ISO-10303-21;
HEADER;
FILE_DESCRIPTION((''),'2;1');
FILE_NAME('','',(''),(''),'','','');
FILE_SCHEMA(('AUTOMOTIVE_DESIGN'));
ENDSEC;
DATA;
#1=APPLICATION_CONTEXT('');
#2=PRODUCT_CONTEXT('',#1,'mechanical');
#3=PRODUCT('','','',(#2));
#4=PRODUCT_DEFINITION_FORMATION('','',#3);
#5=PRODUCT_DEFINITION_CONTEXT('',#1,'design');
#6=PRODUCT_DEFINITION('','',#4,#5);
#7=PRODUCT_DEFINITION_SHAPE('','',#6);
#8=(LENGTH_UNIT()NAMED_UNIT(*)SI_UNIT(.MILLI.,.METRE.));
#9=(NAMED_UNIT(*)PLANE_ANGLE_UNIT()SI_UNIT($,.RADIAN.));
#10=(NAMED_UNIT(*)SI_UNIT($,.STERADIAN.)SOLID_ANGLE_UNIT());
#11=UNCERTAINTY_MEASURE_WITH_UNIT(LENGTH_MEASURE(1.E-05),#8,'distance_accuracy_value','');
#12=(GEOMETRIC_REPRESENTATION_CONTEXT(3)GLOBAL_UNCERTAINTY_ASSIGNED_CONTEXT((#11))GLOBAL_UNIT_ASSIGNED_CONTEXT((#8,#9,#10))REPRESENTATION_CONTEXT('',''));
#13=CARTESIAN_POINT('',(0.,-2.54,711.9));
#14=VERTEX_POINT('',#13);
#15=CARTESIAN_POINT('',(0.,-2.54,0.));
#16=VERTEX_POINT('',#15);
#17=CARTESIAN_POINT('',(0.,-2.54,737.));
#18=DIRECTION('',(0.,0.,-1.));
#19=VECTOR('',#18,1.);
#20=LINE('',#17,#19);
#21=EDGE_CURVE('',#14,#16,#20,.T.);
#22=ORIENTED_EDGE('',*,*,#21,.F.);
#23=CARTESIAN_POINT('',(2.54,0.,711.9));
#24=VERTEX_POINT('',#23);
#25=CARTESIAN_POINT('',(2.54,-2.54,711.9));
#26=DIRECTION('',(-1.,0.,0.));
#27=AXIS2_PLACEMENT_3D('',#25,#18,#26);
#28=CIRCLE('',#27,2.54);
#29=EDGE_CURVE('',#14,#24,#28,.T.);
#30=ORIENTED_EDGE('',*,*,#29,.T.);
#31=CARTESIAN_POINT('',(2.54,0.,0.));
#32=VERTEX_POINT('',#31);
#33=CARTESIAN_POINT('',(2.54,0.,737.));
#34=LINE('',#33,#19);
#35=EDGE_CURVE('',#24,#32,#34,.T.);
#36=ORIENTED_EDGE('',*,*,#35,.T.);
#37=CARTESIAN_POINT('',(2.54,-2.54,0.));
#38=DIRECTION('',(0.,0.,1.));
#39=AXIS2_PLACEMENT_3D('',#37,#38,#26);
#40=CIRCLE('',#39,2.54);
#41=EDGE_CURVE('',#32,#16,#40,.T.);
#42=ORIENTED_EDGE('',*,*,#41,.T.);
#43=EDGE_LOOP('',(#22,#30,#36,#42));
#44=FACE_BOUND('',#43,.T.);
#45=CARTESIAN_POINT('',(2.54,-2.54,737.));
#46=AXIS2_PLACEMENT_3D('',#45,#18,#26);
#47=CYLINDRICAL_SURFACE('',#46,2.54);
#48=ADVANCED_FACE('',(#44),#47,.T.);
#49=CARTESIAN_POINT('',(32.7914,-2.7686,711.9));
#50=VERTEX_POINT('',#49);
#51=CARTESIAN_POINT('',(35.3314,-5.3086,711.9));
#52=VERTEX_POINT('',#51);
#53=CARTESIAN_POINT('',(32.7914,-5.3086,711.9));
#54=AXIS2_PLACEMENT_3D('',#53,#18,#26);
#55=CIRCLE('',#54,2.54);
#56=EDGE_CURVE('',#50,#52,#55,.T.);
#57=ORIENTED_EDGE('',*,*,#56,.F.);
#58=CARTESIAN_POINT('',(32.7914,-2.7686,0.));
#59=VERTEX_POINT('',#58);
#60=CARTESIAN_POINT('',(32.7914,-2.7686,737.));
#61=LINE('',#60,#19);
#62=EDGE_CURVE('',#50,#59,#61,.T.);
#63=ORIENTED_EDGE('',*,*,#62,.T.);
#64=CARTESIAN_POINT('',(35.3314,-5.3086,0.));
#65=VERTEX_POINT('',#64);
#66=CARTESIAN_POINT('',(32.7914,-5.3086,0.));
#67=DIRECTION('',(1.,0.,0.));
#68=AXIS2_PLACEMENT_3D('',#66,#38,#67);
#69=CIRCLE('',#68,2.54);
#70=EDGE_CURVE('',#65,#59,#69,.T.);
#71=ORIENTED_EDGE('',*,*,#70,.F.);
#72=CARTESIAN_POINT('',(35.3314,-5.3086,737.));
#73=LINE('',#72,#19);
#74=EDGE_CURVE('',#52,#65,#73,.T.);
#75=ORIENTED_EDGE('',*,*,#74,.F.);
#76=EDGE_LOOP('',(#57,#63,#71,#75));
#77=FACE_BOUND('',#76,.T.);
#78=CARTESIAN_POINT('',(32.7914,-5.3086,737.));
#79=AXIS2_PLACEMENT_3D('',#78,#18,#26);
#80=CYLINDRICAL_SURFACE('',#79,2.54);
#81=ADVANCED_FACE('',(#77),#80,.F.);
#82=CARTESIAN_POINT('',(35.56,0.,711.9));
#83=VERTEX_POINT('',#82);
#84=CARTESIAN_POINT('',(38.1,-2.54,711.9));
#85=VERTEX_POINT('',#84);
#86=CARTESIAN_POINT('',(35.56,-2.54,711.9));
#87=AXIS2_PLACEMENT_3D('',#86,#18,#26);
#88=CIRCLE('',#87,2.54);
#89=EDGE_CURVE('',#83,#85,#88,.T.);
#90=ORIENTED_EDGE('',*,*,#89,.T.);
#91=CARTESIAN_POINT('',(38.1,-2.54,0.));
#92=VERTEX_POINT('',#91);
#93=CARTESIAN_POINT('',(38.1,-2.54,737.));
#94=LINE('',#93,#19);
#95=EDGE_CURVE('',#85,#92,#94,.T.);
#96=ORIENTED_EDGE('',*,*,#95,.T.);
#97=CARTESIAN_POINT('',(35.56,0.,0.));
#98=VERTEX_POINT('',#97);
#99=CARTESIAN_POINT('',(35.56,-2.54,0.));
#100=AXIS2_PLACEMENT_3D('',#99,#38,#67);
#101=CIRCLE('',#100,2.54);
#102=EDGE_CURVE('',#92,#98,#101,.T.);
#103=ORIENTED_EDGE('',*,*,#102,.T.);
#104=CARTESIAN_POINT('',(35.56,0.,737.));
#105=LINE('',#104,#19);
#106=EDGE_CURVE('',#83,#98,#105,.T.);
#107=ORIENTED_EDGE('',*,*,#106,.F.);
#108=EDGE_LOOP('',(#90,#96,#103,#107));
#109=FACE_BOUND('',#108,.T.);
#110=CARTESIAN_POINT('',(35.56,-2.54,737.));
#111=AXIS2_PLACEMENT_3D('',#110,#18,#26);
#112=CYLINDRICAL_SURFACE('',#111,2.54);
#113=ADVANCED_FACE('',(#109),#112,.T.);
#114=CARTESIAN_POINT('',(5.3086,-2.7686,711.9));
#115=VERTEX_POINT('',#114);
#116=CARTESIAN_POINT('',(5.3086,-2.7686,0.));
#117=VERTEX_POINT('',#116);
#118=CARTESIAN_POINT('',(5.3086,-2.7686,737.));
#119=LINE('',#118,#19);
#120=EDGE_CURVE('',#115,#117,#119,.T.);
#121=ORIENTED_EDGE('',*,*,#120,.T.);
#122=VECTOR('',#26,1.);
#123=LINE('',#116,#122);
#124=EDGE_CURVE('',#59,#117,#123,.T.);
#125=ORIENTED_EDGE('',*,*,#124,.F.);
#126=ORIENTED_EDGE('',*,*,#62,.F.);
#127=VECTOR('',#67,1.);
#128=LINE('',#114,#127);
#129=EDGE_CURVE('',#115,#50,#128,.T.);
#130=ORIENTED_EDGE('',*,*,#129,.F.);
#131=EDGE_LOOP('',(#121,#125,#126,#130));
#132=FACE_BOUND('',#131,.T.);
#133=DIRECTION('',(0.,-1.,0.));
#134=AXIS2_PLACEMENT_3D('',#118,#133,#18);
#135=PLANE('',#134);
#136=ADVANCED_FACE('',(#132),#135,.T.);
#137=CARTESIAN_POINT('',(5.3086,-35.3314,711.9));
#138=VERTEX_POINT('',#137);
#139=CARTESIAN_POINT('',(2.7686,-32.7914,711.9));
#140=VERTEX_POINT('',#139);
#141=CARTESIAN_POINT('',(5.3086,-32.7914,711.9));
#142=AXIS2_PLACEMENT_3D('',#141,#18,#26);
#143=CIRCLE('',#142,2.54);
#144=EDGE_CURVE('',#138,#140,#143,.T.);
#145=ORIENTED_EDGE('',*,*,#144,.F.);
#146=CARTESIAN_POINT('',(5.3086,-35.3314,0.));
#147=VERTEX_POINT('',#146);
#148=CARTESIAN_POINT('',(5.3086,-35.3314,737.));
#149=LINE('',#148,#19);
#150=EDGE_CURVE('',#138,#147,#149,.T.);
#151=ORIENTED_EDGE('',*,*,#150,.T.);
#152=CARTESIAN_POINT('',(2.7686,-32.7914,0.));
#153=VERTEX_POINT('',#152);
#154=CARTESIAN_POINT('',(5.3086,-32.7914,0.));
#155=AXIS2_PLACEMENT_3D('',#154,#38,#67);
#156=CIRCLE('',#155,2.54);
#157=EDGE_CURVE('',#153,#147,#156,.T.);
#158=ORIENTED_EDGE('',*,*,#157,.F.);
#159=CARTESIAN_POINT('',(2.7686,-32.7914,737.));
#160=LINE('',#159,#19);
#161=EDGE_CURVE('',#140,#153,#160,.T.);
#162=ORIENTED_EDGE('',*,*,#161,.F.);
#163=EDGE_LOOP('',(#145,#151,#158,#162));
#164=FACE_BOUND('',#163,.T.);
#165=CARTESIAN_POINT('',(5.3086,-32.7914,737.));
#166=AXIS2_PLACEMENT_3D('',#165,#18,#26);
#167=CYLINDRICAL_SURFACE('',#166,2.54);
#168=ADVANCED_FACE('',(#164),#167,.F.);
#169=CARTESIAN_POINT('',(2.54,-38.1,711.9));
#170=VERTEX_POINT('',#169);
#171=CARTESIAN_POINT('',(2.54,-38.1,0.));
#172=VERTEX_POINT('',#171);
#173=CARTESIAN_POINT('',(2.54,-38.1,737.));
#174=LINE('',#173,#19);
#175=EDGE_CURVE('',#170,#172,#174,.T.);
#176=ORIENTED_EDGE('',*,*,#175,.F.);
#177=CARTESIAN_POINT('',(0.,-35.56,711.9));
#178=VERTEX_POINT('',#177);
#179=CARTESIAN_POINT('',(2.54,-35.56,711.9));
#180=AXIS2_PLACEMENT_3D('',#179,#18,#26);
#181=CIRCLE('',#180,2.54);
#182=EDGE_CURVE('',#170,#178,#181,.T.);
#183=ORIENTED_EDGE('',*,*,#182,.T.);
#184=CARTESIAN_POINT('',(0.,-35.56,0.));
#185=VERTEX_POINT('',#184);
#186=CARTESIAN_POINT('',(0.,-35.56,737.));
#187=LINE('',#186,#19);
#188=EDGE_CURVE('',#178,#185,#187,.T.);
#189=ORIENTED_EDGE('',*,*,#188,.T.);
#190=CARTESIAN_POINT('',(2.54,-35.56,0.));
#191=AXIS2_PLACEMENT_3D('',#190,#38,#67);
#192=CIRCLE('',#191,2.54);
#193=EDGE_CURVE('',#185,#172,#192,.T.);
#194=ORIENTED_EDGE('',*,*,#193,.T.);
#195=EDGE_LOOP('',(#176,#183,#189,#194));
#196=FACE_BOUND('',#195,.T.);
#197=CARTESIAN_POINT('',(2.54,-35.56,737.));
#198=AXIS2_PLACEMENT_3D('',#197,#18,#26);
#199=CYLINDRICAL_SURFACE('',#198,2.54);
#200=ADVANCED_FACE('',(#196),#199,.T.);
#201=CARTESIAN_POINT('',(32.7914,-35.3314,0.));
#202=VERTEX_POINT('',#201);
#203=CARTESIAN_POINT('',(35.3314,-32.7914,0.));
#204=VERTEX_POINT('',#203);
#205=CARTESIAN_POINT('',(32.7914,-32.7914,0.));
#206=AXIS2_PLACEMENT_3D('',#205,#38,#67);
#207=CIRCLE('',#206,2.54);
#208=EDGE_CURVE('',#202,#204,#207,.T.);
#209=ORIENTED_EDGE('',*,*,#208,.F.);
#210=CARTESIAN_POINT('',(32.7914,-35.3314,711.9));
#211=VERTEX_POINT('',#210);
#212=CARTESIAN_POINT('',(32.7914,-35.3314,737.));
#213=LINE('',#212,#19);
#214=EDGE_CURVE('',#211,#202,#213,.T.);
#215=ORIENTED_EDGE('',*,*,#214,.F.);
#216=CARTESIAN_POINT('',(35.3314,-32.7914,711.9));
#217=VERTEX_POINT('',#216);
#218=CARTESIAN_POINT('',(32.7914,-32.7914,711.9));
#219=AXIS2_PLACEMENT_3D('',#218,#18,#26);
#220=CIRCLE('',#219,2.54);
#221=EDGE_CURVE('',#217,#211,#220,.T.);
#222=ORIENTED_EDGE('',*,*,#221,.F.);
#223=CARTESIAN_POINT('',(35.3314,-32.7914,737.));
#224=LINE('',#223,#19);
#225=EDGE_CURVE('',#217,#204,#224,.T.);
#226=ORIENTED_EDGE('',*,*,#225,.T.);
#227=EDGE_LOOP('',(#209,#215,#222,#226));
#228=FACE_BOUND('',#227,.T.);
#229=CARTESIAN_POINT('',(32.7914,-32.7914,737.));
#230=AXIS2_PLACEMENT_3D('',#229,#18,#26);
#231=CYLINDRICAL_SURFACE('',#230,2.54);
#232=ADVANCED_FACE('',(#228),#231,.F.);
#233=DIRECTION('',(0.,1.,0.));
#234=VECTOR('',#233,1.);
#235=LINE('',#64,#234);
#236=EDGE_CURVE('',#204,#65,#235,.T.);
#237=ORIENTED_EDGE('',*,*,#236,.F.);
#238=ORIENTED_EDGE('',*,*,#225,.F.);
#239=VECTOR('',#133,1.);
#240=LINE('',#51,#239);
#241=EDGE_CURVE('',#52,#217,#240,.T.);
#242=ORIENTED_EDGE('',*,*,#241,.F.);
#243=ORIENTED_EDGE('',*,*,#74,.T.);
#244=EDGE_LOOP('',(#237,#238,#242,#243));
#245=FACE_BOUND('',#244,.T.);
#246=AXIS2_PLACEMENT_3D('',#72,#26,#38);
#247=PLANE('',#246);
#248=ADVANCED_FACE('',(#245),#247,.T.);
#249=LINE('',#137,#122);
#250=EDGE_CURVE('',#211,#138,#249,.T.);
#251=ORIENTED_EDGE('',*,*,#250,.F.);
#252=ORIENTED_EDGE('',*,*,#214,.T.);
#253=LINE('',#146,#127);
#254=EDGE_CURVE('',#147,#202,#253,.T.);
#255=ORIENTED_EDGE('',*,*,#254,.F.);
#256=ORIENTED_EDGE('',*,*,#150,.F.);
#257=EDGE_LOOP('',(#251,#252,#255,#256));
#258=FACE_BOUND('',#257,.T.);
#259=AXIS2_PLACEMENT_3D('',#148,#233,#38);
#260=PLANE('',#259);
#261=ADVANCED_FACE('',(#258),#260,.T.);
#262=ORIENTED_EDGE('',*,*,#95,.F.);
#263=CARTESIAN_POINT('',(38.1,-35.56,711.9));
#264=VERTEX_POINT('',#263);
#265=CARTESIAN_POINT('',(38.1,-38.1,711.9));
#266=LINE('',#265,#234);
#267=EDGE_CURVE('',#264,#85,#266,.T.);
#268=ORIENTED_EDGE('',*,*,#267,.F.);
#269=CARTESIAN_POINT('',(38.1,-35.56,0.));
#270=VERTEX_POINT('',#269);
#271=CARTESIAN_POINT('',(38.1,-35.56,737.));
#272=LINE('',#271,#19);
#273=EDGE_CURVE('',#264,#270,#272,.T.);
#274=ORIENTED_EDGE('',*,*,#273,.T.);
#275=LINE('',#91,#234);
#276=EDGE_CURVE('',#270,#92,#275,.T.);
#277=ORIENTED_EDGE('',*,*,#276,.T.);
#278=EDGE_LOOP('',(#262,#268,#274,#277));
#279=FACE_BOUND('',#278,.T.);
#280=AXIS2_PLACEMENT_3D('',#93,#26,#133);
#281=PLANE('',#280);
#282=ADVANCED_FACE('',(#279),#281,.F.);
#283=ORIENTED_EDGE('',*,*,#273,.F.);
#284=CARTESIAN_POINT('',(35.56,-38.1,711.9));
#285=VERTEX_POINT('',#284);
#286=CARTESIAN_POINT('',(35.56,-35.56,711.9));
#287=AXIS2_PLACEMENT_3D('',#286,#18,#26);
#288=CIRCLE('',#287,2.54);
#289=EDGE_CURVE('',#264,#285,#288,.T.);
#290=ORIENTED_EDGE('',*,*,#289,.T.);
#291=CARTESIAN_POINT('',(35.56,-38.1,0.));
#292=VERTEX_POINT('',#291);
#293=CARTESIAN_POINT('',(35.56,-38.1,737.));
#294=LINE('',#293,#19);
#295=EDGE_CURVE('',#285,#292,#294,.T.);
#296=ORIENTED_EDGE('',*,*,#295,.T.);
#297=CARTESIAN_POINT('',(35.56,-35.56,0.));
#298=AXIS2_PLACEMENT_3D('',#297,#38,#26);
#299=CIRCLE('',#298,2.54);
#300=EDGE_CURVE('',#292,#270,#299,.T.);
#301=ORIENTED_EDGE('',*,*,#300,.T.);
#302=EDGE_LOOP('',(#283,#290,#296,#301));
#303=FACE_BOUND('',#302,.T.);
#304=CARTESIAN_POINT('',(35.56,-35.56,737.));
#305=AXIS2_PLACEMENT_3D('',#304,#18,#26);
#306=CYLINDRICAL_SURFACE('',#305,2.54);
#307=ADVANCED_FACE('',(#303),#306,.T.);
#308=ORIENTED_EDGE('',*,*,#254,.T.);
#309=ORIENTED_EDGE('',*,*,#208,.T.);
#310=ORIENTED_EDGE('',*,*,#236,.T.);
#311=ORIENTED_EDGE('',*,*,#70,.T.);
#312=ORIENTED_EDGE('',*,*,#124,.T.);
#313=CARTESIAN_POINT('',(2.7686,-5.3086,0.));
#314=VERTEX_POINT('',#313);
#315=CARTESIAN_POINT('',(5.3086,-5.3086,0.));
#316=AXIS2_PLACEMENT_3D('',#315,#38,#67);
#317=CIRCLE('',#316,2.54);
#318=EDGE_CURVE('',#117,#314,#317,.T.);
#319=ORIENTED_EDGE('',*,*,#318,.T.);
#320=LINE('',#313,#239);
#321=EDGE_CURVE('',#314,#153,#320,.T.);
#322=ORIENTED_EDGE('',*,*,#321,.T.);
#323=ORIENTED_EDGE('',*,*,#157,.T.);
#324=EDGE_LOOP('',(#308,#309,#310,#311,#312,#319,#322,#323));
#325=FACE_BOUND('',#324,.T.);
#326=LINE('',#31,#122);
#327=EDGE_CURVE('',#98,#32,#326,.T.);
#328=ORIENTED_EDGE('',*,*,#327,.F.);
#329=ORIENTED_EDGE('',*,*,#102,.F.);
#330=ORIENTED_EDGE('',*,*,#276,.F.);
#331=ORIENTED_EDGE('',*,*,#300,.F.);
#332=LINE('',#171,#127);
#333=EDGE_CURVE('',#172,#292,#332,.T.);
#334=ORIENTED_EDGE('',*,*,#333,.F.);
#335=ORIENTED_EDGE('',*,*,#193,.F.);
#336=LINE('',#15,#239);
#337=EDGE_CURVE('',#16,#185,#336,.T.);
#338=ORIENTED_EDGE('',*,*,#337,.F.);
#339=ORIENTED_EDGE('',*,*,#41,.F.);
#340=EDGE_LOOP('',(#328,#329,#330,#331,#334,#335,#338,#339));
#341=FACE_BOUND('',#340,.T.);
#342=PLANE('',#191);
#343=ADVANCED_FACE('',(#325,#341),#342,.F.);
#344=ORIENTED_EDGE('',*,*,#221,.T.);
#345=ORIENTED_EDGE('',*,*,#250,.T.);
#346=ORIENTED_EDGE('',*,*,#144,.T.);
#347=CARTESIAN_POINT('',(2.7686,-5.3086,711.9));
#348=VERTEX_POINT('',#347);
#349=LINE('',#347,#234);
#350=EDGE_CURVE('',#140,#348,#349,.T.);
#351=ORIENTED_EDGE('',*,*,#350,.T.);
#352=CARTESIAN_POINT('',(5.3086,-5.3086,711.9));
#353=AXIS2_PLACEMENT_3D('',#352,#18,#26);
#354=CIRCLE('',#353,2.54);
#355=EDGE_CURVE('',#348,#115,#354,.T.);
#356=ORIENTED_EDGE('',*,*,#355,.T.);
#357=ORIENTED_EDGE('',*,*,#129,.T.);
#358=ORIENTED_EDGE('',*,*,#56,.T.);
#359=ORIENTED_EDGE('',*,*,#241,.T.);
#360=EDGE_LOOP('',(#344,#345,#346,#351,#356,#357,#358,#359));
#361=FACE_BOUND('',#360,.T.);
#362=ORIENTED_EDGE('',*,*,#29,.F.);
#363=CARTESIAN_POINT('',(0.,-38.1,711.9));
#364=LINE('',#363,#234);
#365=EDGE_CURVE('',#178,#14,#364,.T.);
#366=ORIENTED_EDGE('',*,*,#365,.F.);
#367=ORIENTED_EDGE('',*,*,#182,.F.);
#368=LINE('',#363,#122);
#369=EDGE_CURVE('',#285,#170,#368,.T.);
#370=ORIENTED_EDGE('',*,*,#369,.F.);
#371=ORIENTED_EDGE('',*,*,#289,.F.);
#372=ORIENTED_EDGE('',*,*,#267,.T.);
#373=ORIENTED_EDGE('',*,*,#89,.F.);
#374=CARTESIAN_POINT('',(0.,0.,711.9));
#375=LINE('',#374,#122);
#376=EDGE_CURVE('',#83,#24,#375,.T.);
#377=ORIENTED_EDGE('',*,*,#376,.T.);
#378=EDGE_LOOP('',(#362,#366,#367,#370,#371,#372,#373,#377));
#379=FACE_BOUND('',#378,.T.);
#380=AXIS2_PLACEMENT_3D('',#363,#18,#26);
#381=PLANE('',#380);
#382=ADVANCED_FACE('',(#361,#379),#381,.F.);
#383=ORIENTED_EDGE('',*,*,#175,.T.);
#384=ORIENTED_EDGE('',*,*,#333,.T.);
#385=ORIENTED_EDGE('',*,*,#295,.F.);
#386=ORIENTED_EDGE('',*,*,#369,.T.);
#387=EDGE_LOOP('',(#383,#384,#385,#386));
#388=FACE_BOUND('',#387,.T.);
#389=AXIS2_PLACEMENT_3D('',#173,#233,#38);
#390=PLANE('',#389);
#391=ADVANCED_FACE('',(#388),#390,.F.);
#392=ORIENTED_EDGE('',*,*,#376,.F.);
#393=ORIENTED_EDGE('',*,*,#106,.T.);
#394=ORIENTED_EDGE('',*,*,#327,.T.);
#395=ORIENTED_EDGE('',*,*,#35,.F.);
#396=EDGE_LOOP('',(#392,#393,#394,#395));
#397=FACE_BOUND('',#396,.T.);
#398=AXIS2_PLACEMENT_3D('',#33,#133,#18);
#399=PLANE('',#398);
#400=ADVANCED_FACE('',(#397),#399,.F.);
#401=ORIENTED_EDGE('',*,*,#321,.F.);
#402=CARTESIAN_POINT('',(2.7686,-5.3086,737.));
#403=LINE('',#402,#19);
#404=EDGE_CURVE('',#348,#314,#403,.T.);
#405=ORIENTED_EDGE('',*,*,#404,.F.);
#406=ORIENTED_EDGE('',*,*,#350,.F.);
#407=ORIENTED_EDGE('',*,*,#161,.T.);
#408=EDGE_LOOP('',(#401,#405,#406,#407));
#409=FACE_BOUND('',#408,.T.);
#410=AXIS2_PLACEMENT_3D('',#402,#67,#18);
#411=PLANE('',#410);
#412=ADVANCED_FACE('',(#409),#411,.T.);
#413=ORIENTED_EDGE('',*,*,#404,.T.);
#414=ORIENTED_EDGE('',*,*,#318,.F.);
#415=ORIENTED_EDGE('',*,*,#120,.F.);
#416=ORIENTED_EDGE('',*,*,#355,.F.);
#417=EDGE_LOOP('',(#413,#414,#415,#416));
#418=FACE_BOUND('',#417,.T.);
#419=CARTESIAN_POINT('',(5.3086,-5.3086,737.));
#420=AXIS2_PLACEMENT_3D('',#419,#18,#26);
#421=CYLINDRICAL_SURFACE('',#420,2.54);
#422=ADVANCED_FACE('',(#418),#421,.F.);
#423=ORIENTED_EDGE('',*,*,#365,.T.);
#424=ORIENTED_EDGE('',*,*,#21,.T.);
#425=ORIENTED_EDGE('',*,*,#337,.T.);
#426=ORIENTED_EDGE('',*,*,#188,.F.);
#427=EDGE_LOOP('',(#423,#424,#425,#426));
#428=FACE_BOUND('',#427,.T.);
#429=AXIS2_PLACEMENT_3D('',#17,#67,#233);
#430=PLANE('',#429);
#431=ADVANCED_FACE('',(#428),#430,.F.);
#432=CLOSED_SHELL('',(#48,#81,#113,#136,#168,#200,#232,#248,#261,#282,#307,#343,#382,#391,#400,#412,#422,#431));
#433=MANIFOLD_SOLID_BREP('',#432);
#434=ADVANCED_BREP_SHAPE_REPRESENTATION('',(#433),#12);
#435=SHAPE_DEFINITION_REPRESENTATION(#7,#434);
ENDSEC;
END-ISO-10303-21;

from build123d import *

# Parameters (mm, degrees)
BOSS_EXTRUDE1_DEPTH = 737
SKETCH2_W           = 38.1
SKETCH2_H           = 25.1
CUT_EXTRUDE1_DEPTH  = 739.966995203


with BuildPart() as part:
    # Sketch1 → Boss-Extrude1 (new body)
    with BuildSketch(Plane.XY):
        with BuildLine():
            Line((2.54, 0), (35.56, 0))
            ThreePointArc((35.56, 0), (37.356051224, -0.743948776), (38.1, -2.54))
            Line((38.1, -2.54), (38.1, -35.56))
            ThreePointArc((38.1, -35.56), (37.356051224, -37.356051224), (35.56, -38.1))
            Line((35.56, -38.1), (2.54, -38.1))
            ThreePointArc((2.54, -38.1), (0.743948776, -37.356051224), (0, -35.56))
            Line((0, -35.56), (0, -2.54))
            ThreePointArc((0, -2.54), (0.743948776, -0.743948776), (2.54, 0))
        make_face()
        with BuildLine():
            Line((5.3086, -2.7686), (32.7914, -2.7686))
            ThreePointArc((32.7914, -2.7686), (34.587451224, -3.512548776), (35.3314, -5.3086))
            Line((35.3314, -5.3086), (35.3314, -32.7914))
            ThreePointArc((35.3314, -32.7914), (34.587451224, -34.587451224), (32.7914, -35.3314))
            Line((32.7914, -35.3314), (5.3086, -35.3314))
            ThreePointArc((5.3086, -35.3314), (3.512548776, -34.587451224), (2.7686, -32.7914))
            Line((2.7686, -32.7914), (2.7686, -5.3086))
            ThreePointArc((2.7686, -5.3086), (3.512548776, -3.512548776), (5.3086, -2.7686))
        make_face(mode=Mode.SUBTRACT)
    extrude(amount=BOSS_EXTRUDE1_DEPTH)

    # Sketch2 → Cut-Extrude1 (cut, through all)
    with BuildSketch(Plane(origin=(0, 0, 0), x_dir=(1, 0, 0), z_dir=(0, 1, 0))):
        with Locations((19.05, -724.45)):
            Rectangle(SKETCH2_W, SKETCH2_H)
    extrude(amount=-CUT_EXTRUDE1_DEPTH, mode=Mode.SUBTRACT)


solid = part.part
